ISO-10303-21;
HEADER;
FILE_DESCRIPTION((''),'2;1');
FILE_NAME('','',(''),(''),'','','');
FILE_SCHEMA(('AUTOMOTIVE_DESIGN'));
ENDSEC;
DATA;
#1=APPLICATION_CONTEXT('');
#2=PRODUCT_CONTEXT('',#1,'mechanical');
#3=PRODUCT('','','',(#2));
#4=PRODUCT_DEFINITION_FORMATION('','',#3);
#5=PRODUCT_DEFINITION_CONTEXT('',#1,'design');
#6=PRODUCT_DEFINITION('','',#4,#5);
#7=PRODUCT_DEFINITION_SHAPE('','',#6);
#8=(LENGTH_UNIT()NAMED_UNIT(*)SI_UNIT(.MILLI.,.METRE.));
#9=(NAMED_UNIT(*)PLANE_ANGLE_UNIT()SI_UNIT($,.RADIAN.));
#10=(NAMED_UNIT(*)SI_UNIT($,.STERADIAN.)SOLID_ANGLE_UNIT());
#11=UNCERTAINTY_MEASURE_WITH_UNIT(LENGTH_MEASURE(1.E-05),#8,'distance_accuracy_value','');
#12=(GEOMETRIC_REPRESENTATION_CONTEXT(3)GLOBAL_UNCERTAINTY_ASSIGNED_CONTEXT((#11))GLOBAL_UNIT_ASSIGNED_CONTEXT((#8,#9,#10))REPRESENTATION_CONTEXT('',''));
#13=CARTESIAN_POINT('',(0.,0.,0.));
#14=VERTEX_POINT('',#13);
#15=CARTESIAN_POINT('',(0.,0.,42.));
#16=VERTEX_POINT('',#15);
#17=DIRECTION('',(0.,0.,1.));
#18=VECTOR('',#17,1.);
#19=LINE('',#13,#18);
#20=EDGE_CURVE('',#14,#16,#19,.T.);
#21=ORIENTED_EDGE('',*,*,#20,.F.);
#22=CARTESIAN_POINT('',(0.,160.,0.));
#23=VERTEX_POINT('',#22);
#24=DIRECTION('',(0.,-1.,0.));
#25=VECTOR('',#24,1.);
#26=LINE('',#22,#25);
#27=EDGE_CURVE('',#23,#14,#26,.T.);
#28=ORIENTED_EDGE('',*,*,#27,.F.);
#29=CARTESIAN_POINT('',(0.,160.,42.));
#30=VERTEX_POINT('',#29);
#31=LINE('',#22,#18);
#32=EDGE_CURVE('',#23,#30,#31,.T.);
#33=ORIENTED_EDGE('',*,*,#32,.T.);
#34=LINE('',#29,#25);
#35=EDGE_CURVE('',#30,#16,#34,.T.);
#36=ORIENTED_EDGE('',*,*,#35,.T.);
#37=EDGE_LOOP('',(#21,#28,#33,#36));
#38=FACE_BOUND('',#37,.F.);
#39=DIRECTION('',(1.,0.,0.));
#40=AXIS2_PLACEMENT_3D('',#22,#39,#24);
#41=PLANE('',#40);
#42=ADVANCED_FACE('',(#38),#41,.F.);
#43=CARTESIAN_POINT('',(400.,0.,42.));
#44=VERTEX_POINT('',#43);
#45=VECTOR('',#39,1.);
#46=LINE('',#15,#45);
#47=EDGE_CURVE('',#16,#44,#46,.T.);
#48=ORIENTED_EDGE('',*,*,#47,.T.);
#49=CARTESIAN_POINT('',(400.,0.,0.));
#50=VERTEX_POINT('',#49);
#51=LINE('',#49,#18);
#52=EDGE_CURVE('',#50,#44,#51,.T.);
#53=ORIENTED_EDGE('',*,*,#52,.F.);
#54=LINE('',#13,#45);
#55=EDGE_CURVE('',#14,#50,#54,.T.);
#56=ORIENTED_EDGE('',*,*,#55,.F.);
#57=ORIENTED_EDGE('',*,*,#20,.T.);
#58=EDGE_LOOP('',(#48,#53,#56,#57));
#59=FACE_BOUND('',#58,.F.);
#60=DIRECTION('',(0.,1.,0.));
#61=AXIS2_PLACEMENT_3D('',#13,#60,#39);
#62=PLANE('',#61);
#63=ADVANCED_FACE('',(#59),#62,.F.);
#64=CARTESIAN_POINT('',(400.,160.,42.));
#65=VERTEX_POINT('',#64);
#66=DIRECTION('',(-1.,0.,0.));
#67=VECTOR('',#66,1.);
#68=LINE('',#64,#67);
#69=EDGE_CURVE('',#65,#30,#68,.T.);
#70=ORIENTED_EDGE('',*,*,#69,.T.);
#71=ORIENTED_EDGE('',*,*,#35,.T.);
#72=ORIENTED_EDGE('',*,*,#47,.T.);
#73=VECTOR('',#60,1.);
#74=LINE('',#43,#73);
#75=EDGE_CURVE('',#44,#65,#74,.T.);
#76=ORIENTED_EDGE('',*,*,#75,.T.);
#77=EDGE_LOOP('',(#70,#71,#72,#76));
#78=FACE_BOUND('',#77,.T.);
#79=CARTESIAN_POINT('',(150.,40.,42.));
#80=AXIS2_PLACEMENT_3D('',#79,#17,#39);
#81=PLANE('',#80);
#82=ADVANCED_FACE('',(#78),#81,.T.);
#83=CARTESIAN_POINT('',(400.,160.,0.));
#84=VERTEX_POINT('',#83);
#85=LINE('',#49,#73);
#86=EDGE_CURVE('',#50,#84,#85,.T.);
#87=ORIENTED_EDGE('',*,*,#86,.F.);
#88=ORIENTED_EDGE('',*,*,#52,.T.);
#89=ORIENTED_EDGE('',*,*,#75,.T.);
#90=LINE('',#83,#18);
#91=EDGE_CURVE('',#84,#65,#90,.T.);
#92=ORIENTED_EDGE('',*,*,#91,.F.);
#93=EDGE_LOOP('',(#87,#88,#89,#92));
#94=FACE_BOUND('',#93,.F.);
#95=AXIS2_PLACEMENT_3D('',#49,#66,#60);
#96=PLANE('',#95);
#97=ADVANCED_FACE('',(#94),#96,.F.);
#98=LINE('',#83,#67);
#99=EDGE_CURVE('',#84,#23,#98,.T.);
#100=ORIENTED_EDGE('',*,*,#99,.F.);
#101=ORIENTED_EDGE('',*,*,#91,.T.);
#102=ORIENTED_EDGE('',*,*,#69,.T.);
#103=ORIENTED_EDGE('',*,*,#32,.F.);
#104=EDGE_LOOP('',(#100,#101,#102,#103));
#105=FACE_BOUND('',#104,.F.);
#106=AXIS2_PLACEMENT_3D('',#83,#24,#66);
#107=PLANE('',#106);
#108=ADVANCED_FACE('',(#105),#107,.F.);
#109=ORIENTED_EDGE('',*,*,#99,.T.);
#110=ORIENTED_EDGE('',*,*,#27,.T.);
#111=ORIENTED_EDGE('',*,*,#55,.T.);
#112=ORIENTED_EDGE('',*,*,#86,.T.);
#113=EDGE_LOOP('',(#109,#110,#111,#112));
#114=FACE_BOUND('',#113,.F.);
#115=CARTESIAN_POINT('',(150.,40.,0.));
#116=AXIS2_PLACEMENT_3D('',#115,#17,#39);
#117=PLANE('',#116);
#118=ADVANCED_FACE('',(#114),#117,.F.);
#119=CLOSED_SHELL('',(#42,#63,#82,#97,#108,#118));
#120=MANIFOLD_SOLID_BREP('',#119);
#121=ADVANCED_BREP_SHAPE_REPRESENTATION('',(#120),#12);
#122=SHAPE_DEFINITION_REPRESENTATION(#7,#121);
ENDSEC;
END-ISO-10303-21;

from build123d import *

# Parameters (mm, degrees)
F0_W     = 100
F0_H     = 80
F0_R     = 5
F1_DEPTH = 42


with BuildPart() as f1:
    # F0 (on Top) → F1 (new body)
    with BuildSketch(Plane.XY):
        with Locations((150, 40)):
            Rectangle(F0_W, F0_H)
        with Locations((115, 10)):
            Circle(F0_R, mode=Mode.SUBTRACT)
        with Locations((175, 10)):
            Circle(F0_R, mode=Mode.SUBTRACT)
        with Locations((115, 50)):
            Circle(F0_R, mode=Mode.SUBTRACT)
        with Locations((155, 40)):
            Circle(F0_R, mode=Mode.SUBTRACT)
        with Locations((50, 40)):
            Rectangle(F0_W, F0_H)
        with Locations((15, 10)):
            Circle(F0_R, mode=Mode.SUBTRACT)
        with Locations((75, 10)):
            Circle(F0_R, mode=Mode.SUBTRACT)
        with Locations((15, 50)):
            Circle(F0_R, mode=Mode.SUBTRACT)
        with Locations((55, 40)):
            Circle(F0_R, mode=Mode.SUBTRACT)
        with Locations((250, 40)):
            Rectangle(F0_W, F0_H)
        with Locations((215, 10)):
            Circle(F0_R, mode=Mode.SUBTRACT)
        with Locations((275, 10)):
            Circle(F0_R, mode=Mode.SUBTRACT)
        with Locations((215, 50)):
            Circle(F0_R, mode=Mode.SUBTRACT)
        with Locations((255, 40)):
            Circle(F0_R, mode=Mode.SUBTRACT)
        with Locations((350, 120)):
            Rectangle(F0_W, F0_H)
        with Locations((315, 90)):
            Circle(F0_R, mode=Mode.SUBTRACT)
        with Locations((375, 90)):
            Circle(F0_R, mode=Mode.SUBTRACT)
        with Locations((315, 130)):
            Circle(F0_R, mode=Mode.SUBTRACT)
        with Locations((355, 120)):
            Circle(F0_R, mode=Mode.SUBTRACT)
        with Locations((250, 120)):
            Rectangle(F0_W, F0_H)
        with Locations((215, 90)):
            Circle(F0_R, mode=Mode.SUBTRACT)
        with Locations((275, 90)):
            Circle(F0_R, mode=Mode.SUBTRACT)
        with Locations((215, 130)):
            Circle(F0_R, mode=Mode.SUBTRACT)
        with Locations((255, 120)):
            Circle(F0_R, mode=Mode.SUBTRACT)
        with Locations((150, 120)):
            Rectangle(F0_W, F0_H)
        with Locations((115, 90)):
            Circle(F0_R, mode=Mode.SUBTRACT)
        with Locations((175, 90)):
            Circle(F0_R, mode=Mode.SUBTRACT)
        with Locations((115, 130)):
            Circle(F0_R, mode=Mode.SUBTRACT)
        with Locations((155, 120)):
            Circle(F0_R, mode=Mode.SUBTRACT)
        with Locations((50, 120)):
            Rectangle(F0_W, F0_H)
        with Locations((15, 90)):
            Circle(F0_R, mode=Mode.SUBTRACT)
        with Locations((75, 90)):
            Circle(F0_R, mode=Mode.SUBTRACT)
        with Locations((15, 130)):
            Circle(F0_R, mode=Mode.SUBTRACT)
        with Locations((55, 120)):
            Circle(F0_R, mode=Mode.SUBTRACT)
        with Locations((350, 40)):
            Rectangle(F0_W, F0_H)
        with Locations((315, 10)):
            Circle(F0_R, mode=Mode.SUBTRACT)
        with Locations((375, 10)):
            Circle(F0_R, mode=Mode.SUBTRACT)
        with Locations((315, 50)):
            Circle(F0_R, mode=Mode.SUBTRACT)
        with Locations((355, 40)):
            Circle(F0_R, mode=Mode.SUBTRACT)
        with Locations((155, 120)):
            Circle(F0_R)
        with Locations((315, 130)):
            Circle(F0_R)
        with Locations((15, 50)):
            Circle(F0_R)
        with Locations((15, 130)):
            Circle(F0_R)
        with Locations((115, 130)):
            Circle(F0_R)
        with Locations((155, 40)):
            Circle(F0_R)
        with Locations((215, 130)):
            Circle(F0_R)
        with Locations((315, 90)):
            Circle(F0_R)
        with Locations((315, 10)):
            Circle(F0_R)
        with Locations((315, 50)):
            Circle(F0_R)
        with Locations((255, 40)):
            Circle(F0_R)
        with Locations((15, 10)):
            Circle(F0_R)
        with Locations((75, 10)):
            Circle(F0_R)
        with Locations((55, 40)):
            Circle(F0_R)
        with Locations((215, 90)):
            Circle(F0_R)
        with Locations((275, 90)):
            Circle(F0_R)
        with Locations((15, 90)):
            Circle(F0_R)
        with Locations((75, 90)):
            Circle(F0_R)
        with Locations((375, 10)):
            Circle(F0_R)
        with Locations((215, 10)):
            Circle(F0_R)
        with Locations((175, 90)):
            Circle(F0_R)
        with Locations((55, 120)):
            Circle(F0_R)
        with Locations((115, 10)):
            Circle(F0_R)
        with Locations((115, 50)):
            Circle(F0_R)
        with Locations((175, 10)):
            Circle(F0_R)
        with Locations((115, 90)):
            Circle(F0_R)
        with Locations((355, 40)):
            Circle(F0_R)
        with Locations((255, 120)):
            Circle(F0_R)
        with Locations((375, 90)):
            Circle(F0_R)
        with Locations((215, 50)):
            Circle(F0_R)
        with Locations((275, 10)):
            Circle(F0_R)
        with Locations((355, 120)):
            Circle(F0_R)
    extrude(amount=F1_DEPTH)


solid = f1.part
